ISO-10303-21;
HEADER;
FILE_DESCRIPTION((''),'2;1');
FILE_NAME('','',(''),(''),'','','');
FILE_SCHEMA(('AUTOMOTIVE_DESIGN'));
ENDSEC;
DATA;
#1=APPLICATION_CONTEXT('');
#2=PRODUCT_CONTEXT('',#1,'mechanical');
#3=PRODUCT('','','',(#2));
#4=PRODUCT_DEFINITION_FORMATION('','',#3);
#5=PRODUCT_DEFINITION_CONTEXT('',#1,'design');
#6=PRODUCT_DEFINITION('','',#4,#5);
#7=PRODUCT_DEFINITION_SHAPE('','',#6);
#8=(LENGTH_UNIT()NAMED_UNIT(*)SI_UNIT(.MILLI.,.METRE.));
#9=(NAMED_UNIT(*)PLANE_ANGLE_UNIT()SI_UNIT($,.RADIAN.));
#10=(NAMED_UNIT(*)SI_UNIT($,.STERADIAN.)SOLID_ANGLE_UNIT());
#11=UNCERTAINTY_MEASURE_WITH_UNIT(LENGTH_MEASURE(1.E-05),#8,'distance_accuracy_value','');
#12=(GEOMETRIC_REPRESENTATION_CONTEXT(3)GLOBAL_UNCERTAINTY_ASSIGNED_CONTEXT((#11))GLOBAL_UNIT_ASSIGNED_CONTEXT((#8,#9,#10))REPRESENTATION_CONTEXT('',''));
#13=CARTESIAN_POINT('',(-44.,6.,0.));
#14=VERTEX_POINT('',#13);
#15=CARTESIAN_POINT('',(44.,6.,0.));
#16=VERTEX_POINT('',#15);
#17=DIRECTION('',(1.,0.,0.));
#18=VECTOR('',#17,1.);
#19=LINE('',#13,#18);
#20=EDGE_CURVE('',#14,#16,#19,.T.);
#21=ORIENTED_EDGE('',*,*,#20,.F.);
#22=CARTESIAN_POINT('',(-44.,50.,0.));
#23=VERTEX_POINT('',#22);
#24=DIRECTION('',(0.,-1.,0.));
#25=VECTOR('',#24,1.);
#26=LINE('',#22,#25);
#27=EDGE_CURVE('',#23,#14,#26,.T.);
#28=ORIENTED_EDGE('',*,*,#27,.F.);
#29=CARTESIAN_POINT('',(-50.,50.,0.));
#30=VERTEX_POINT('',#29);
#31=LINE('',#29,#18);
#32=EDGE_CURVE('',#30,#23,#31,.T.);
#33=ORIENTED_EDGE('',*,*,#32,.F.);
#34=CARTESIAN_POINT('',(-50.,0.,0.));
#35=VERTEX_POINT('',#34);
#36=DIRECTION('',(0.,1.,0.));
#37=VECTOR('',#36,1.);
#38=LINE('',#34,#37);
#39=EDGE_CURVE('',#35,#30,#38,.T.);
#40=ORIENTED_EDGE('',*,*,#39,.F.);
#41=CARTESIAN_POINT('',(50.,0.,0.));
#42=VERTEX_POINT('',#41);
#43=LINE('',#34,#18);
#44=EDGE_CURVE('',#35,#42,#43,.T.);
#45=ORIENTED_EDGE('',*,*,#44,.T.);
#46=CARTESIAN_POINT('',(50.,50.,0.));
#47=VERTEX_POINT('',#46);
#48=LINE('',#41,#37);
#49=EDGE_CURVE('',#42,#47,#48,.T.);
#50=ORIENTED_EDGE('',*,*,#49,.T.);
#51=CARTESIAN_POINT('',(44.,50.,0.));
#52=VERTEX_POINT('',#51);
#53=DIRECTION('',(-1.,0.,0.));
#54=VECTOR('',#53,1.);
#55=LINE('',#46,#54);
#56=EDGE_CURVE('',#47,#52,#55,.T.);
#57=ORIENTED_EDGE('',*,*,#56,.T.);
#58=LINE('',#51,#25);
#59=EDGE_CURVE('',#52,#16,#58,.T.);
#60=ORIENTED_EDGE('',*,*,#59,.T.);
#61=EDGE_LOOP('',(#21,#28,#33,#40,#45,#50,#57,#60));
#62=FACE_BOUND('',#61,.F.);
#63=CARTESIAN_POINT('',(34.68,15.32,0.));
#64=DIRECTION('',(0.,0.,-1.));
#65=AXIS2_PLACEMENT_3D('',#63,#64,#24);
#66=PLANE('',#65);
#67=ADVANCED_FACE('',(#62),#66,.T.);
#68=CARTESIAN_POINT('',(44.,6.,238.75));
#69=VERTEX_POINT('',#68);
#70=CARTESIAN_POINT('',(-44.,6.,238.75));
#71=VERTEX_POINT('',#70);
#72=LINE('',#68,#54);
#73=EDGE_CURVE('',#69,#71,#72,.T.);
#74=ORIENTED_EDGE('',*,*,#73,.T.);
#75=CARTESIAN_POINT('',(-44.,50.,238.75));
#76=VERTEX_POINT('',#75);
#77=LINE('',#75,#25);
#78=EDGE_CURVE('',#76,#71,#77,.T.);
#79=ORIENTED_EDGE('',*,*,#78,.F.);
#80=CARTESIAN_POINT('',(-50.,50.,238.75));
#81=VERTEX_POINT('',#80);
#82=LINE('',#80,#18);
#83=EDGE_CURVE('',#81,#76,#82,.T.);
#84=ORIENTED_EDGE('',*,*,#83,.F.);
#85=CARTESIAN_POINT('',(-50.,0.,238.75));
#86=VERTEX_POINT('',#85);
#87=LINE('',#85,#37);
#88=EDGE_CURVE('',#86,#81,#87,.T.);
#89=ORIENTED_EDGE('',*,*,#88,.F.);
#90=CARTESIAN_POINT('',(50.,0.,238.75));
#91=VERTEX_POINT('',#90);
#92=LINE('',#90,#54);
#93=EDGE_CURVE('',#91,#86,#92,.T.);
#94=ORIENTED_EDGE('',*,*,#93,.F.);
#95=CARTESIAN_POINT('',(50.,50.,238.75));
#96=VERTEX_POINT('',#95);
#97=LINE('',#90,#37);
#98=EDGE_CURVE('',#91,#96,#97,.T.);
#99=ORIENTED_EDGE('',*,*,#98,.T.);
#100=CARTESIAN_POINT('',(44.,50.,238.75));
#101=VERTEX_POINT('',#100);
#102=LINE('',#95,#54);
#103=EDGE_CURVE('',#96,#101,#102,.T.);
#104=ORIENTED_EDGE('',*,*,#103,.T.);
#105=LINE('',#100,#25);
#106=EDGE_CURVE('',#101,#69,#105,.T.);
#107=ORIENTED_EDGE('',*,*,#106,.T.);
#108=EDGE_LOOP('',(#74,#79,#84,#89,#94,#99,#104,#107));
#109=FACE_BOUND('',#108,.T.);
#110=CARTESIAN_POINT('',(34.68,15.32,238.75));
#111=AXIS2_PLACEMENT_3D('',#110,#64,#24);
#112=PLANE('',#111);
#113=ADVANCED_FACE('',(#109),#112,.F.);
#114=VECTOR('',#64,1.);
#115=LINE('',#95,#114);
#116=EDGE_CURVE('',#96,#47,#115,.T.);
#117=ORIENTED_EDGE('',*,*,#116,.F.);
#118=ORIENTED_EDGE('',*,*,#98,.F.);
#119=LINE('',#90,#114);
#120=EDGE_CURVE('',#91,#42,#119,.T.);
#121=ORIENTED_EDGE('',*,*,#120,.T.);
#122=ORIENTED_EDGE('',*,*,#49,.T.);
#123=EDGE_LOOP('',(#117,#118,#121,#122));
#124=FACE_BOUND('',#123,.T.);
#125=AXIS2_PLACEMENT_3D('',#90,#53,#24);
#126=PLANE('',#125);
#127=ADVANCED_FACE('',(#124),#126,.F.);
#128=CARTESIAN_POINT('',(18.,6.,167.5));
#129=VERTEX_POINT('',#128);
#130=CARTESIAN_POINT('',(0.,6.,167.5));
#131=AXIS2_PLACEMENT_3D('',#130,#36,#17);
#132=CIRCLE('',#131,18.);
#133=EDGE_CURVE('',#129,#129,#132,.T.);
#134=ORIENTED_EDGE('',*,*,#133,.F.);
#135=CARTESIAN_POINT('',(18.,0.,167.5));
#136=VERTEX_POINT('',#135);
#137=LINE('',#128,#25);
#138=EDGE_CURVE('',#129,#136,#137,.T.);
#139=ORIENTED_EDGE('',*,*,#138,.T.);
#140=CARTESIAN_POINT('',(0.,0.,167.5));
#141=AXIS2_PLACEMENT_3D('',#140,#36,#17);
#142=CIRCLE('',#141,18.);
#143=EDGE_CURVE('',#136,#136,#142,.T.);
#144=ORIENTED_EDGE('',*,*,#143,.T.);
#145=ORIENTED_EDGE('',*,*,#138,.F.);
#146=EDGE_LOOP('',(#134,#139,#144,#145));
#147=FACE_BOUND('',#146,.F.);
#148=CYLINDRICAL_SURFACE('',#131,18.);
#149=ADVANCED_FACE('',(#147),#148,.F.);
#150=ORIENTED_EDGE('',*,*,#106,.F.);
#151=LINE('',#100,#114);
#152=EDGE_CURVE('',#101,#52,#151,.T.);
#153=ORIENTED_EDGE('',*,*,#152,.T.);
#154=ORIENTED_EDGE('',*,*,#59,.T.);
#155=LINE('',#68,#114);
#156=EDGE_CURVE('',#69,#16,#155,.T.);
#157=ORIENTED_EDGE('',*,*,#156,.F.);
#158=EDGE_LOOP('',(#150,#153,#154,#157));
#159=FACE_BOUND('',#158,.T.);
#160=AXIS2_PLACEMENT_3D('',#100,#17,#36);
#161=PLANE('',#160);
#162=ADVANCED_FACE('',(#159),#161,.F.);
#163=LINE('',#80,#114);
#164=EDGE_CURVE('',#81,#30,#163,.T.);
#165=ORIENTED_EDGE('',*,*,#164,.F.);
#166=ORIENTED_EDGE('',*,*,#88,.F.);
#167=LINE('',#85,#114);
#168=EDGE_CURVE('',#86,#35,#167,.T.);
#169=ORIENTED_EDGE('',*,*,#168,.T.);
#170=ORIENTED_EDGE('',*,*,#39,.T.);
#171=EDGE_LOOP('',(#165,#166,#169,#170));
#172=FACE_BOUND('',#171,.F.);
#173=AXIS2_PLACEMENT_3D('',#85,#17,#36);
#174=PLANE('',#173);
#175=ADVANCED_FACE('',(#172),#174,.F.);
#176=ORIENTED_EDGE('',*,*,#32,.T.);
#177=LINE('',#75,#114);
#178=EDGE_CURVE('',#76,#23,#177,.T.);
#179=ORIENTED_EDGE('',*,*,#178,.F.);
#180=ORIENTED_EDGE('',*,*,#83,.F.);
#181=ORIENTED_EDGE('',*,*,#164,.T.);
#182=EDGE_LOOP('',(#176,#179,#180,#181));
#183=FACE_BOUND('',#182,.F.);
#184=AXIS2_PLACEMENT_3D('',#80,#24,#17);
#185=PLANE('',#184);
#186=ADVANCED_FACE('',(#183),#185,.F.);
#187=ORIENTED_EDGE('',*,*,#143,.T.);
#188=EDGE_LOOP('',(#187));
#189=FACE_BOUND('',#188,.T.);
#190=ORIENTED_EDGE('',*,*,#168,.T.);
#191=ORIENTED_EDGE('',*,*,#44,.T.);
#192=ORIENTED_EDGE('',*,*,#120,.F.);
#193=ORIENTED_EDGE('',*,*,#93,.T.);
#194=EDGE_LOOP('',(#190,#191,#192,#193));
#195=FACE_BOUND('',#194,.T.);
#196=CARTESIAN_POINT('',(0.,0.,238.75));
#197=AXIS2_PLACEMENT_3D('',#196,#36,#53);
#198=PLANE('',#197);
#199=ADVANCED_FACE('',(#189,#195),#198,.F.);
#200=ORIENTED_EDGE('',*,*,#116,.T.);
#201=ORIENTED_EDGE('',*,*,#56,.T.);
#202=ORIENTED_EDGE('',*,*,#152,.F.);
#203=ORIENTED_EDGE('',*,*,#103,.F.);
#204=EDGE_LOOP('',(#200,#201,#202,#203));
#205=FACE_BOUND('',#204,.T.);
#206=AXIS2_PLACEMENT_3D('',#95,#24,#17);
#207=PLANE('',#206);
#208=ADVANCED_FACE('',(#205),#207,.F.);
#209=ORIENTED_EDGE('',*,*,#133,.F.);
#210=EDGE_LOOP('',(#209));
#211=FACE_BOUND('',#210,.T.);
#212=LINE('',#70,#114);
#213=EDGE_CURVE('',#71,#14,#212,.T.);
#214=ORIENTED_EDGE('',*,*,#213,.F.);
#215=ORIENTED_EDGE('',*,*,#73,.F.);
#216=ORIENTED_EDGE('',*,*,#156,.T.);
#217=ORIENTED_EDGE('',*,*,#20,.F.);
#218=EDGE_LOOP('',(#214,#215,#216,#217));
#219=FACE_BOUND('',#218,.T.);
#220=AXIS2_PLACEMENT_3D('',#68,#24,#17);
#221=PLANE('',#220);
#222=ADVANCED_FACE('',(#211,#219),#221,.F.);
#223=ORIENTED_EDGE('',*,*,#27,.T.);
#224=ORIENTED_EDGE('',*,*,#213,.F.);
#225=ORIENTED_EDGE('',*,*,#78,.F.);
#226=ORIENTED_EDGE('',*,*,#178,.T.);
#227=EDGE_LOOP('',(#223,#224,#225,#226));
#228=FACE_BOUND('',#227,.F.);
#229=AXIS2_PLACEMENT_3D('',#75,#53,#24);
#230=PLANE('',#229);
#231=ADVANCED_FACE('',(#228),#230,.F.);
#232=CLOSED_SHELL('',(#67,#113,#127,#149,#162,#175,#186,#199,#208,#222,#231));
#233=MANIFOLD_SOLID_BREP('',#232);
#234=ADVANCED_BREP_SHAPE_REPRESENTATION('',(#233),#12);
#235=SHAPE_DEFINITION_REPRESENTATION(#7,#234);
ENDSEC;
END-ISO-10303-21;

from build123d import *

# Parameters (mm, degrees)
PAD_DEPTH            = 238.75
SKETCH001_R          = 18
POCKET_DEPTH         = 6
BODY_ROLL_ANGLE      = 180
BODY_PLACEMENT_ANGLE = 90


with BuildPart() as part:
    # Sketch → Pad (new body)
    with BuildSketch(Plane.XY):
        Polygon((0, 50), (0, 0), (50, 0), (50, 6), (6, 6), (6, 50), align=None)
    pad = extrude(amount=PAD_DEPTH)

    # Mirrored: Pad across face of Pad
    add(pad.mirror(Plane(origin=(3, 50, 119.375), x_dir=(-1, 0, 0), z_dir=(0, 1, 0))))

    # Sketch001 (on Face5 of Pad) → Pocket (cut)
    with BuildSketch(Plane.YZ.offset(6)):
        with Locations((50, 71.25)):
            Circle(SKETCH001_R)
    extrude(amount=-POCKET_DEPTH, mode=Mode.SUBTRACT)


with BuildPart() as part_1:
    # Body roll: moved
    add(part.part.rotate(Axis((0, 0, 0), (1, 0, 0)), BODY_ROLL_ANGLE))


with BuildPart() as part_2:
    # Body placement: moved
    add(part_1.part.moved(Location((-50, 0, 238.75))).rotate(Axis((-50, 0, 238.75), (0, 0, 1)), BODY_PLACEMENT_ANGLE))


solid = part_2.part
